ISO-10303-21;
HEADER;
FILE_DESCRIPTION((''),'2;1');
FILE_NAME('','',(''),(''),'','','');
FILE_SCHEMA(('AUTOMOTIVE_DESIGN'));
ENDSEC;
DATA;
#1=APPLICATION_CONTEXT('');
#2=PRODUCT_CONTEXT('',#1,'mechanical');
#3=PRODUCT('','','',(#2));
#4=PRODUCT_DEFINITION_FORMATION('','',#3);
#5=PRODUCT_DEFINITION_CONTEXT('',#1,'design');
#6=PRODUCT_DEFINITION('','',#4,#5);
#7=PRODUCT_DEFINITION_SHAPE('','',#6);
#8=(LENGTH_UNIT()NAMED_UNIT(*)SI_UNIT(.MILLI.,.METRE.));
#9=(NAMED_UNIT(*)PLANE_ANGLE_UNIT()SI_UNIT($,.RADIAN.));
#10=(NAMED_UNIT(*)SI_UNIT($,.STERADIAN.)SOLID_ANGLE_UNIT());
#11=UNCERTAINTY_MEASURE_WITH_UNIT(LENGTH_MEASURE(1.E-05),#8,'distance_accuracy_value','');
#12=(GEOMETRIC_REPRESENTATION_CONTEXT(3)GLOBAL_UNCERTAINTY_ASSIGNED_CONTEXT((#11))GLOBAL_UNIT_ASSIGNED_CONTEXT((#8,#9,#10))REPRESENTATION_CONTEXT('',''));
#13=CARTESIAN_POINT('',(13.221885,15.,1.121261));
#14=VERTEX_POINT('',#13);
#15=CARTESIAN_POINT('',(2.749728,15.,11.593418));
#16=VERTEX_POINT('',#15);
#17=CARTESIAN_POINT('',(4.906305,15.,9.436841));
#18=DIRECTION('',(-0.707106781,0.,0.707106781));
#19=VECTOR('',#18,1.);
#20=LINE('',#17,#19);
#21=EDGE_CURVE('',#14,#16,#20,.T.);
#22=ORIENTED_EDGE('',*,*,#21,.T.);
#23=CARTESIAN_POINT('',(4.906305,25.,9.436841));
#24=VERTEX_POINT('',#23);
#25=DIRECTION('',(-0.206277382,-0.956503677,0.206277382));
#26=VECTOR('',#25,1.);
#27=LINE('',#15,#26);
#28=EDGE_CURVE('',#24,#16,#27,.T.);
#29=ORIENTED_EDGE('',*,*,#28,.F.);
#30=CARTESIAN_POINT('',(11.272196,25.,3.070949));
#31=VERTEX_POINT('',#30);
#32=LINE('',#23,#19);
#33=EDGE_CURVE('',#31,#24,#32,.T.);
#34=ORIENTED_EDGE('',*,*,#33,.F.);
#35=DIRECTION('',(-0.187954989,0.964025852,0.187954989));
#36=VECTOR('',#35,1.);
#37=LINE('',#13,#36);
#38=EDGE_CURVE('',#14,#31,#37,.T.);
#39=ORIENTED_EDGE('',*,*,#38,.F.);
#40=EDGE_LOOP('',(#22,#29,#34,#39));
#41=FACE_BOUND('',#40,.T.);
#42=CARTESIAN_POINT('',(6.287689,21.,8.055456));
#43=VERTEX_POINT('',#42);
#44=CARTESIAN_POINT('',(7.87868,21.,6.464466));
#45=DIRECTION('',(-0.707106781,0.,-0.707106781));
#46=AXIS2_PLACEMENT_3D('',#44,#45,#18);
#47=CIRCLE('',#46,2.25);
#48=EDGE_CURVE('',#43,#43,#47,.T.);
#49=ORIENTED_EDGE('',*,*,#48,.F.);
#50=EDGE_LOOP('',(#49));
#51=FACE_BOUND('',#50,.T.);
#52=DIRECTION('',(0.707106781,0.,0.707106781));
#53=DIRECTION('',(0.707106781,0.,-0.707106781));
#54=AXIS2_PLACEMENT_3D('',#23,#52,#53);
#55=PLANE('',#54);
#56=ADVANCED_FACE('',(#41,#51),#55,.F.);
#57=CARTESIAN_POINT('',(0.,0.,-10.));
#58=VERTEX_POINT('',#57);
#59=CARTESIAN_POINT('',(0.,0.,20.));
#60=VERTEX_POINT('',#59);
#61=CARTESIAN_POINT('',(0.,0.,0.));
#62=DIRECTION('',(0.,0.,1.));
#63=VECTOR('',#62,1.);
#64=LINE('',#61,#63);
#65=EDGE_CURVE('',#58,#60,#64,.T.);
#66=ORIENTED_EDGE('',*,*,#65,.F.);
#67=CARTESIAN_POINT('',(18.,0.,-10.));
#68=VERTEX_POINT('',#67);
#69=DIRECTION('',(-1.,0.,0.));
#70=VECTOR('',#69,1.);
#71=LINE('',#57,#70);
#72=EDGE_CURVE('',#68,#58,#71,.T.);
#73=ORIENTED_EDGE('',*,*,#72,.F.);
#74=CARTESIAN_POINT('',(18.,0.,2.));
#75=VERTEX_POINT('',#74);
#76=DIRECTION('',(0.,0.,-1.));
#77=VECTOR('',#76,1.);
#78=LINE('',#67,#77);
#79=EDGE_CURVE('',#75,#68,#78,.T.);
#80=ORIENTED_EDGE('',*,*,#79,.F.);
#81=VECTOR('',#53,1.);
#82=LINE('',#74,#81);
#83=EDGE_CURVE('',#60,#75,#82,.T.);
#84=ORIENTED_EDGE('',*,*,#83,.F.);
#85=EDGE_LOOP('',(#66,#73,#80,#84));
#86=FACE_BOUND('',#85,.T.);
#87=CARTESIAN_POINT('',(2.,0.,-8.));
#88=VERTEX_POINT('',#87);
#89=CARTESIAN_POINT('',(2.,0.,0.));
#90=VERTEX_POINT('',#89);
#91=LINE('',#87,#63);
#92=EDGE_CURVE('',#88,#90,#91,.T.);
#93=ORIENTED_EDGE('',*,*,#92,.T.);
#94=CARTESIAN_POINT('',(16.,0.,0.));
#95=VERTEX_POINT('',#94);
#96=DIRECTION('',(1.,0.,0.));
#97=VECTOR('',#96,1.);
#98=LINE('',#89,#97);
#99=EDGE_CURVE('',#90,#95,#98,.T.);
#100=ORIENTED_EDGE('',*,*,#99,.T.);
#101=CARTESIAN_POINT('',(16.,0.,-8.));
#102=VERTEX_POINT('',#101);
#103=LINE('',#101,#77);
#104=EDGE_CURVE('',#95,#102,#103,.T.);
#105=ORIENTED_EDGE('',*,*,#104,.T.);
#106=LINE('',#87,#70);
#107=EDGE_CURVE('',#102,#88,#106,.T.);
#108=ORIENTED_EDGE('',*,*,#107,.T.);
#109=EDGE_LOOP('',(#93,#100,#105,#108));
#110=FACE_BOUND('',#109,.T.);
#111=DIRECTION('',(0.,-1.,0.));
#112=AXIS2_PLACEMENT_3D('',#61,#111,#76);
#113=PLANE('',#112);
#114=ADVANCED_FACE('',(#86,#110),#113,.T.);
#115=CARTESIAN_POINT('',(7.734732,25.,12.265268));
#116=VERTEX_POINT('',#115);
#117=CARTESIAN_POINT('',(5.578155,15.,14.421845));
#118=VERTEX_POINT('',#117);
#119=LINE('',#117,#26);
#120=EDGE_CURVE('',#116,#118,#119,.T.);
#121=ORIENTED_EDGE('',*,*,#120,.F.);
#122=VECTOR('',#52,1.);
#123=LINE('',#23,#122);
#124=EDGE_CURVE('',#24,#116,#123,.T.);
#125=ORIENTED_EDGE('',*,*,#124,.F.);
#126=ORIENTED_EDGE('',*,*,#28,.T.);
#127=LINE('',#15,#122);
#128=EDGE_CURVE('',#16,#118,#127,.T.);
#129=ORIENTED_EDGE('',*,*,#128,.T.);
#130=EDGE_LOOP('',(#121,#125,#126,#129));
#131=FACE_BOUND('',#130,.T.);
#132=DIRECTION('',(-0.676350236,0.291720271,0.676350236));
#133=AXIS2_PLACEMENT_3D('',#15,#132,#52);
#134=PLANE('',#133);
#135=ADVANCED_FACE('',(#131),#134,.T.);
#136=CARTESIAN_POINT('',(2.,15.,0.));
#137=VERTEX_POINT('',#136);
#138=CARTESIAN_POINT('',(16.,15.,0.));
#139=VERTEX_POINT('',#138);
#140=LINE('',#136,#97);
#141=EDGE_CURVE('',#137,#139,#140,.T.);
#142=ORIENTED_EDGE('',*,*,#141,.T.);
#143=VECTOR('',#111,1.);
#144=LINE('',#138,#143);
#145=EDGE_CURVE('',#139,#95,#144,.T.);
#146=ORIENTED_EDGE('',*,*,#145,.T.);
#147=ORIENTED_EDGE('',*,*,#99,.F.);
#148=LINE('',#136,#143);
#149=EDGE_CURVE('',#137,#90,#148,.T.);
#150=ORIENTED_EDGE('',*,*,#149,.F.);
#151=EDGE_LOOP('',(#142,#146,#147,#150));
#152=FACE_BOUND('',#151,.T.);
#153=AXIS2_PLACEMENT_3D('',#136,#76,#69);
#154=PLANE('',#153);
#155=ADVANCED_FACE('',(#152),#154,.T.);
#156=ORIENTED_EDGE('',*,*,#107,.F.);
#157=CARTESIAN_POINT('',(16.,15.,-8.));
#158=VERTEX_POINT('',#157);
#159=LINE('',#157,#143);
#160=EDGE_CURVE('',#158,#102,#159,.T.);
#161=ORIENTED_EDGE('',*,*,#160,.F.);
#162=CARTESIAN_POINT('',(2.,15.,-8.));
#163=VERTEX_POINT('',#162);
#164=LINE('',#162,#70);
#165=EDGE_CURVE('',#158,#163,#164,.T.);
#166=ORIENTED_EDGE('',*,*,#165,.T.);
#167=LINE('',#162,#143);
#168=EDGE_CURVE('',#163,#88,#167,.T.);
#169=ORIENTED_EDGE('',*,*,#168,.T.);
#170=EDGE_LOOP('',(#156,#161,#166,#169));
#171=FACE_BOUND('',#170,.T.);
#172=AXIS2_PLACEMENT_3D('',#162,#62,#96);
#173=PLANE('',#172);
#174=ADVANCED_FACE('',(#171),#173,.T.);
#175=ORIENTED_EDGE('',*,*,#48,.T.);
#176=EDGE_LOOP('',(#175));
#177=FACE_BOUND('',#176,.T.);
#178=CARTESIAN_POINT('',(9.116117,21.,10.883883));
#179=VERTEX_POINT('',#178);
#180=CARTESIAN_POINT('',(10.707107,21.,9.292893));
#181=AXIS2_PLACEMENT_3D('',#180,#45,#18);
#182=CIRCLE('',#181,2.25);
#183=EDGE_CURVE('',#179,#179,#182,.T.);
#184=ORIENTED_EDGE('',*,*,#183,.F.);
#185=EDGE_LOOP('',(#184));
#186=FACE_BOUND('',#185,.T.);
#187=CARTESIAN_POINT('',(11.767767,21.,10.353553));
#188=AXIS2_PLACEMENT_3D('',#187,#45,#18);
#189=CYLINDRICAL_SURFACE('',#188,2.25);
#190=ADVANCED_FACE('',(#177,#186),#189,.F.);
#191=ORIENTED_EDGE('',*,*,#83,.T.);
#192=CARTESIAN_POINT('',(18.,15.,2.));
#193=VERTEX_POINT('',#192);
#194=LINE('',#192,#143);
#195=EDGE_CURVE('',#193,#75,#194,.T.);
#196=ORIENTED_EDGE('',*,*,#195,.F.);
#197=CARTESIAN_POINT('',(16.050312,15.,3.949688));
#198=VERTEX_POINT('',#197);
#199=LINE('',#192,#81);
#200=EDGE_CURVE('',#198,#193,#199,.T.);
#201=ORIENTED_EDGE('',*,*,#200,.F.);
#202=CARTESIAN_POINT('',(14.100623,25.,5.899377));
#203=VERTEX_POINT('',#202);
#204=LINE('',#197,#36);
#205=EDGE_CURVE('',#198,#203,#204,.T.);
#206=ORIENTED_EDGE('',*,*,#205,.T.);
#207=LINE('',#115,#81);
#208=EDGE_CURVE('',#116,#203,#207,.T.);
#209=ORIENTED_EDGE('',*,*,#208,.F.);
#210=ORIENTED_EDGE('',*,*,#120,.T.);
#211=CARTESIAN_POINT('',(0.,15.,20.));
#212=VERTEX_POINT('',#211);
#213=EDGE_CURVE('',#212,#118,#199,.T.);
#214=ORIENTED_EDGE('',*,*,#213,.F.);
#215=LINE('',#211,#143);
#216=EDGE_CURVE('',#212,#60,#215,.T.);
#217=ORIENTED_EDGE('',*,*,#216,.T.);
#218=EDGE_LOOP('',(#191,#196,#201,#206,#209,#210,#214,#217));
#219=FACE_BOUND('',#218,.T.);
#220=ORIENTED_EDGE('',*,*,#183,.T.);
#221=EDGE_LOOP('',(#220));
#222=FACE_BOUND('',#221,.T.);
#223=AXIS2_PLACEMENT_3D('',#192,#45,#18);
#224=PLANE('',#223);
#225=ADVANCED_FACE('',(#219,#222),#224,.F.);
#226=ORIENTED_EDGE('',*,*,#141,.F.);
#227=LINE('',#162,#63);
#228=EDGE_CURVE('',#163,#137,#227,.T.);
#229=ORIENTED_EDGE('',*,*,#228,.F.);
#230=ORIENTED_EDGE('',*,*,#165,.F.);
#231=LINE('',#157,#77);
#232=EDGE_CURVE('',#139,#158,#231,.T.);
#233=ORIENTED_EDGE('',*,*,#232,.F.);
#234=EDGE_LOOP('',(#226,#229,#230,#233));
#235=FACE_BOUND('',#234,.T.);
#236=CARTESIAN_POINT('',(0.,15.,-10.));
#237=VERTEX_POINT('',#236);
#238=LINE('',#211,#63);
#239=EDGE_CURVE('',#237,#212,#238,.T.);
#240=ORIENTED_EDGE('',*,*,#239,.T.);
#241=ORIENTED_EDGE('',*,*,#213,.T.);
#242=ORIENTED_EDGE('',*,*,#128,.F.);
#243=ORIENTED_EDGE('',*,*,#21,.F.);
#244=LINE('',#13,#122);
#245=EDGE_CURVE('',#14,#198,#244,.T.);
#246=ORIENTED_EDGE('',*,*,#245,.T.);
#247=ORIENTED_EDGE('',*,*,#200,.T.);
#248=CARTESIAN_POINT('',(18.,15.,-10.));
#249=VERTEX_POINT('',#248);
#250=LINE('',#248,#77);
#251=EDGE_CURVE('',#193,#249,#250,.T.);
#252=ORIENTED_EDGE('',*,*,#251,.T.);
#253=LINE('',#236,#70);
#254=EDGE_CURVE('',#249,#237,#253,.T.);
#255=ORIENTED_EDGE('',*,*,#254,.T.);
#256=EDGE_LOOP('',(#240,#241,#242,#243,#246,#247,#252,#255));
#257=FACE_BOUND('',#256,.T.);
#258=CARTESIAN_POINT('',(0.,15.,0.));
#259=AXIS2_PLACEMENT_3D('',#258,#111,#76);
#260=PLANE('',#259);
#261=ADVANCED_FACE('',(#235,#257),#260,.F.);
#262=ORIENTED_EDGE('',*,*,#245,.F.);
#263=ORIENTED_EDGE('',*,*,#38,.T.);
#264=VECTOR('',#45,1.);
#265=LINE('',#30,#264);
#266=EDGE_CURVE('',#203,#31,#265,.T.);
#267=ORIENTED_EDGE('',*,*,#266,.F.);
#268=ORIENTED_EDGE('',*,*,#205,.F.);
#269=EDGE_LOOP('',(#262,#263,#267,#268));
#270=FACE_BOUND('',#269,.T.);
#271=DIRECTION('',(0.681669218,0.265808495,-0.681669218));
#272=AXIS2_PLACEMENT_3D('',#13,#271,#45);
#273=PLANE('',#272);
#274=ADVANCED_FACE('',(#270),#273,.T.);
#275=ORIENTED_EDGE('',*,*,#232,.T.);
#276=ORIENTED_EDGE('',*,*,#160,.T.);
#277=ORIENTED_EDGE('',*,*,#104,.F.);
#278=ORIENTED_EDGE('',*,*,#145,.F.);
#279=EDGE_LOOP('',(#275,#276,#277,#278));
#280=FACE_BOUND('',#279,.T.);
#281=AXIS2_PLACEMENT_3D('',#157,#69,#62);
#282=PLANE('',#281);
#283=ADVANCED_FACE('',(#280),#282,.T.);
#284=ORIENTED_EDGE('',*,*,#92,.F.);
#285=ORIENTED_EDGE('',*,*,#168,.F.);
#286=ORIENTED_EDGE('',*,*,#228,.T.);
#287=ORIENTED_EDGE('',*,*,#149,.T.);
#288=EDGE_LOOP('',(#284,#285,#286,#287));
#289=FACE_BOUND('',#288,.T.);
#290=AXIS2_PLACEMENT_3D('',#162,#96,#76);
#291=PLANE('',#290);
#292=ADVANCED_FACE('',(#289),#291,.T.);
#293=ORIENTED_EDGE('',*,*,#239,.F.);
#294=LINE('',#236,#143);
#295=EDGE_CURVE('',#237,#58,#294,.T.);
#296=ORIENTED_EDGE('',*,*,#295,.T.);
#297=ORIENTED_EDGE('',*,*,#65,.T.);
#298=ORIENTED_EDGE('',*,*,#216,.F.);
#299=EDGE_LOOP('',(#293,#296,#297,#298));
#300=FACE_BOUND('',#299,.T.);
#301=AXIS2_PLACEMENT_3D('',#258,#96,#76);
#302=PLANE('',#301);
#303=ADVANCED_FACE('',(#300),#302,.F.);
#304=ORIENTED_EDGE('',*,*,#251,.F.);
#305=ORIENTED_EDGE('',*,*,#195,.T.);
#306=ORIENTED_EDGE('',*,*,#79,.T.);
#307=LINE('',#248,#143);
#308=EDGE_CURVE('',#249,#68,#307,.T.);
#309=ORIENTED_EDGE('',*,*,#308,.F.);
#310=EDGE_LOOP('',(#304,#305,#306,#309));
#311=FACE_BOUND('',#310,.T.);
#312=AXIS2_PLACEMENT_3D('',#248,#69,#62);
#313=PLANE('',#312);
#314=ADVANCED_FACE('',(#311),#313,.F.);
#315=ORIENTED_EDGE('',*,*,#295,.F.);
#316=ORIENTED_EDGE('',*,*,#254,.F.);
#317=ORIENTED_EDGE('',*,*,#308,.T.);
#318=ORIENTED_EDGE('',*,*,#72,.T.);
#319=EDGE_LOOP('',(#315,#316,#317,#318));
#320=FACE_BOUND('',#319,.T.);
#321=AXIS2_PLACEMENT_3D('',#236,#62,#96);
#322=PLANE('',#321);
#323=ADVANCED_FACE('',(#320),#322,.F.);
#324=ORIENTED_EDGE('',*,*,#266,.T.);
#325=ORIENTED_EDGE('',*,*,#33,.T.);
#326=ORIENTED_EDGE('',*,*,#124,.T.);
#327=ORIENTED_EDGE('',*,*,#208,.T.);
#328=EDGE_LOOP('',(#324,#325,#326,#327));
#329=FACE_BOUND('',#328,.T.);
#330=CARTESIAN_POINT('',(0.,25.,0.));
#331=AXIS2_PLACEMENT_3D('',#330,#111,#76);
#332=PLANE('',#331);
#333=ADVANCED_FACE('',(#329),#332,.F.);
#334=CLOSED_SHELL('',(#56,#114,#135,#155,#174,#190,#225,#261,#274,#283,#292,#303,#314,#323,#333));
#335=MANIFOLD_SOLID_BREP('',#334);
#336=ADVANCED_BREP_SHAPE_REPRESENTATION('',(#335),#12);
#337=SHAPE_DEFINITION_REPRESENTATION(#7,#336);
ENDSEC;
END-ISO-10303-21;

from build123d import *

# Parameters (mm, degrees)
SKETCH_1_W          = 14
SKETCH_1_H          = 8
EXTRUDE_1_DEPTH     = 15
EXTRUDE_2_DEPTH     = 10
SKETCH_4_R          = 2.25
CUT_EXTRUDE_1_DEPTH = 5.5
EXTRUDE_3_DEPTH     = 4


with BuildPart() as part:
    # 草图1 → 凸台-拉伸1 (new body)
    with BuildSketch(Plane(origin=(0, 0, 0), x_dir=(1, 0, 0), z_dir=(0, 1, 0))):
        Polygon((0, 0), (0, 10), (18, 10), (18, -2), (0, -20), align=None)
        with Locations((9, 4)):
            Rectangle(SKETCH_1_W, SKETCH_1_H, mode=Mode.SUBTRACT)
    extrude(amount=EXTRUDE_1_DEPTH)

    # 草图2 → 凸台-拉伸2 (add)
    with BuildSketch(Plane(origin=(0, 15, 0), x_dir=(1, 0, 0), z_dir=(0, 1, 0))):
        Polygon((11.272196348, -3.070949403), (14.100623473, -5.899376527), (7.734731659, -12.265268341), (4.906304534, -9.436841216), align=None)
    extrude(amount=EXTRUDE_2_DEPTH)

    # 草图4 → 切除-拉伸1 (cut)
    with BuildSketch(Plane(origin=(7.171572875, 0, 7.171572875), x_dir=(-0.707106781, 0, 0.707106781), z_dir=(-0.707106781, 0, -0.707106781))):
        with Locations((-1, 21)):
            Circle(SKETCH_4_R)
    extrude(amount=-CUT_EXTRUDE_1_DEPTH, mode=Mode.SUBTRACT)

    # 草图5 → 凸台-拉伸3 (add)
    with BuildSketch(Plane(origin=(10, 0, 10), x_dir=(0.707106781, 0, -0.707106781), z_dir=(0.707106781, 0, 0.707106781))):
        Polygon((5.799157329, 25), (5.799157329, 15), (8.556432914, 15), align=None)
        Polygon((-3.20357321, 25), (-3.20357321, 15), (-6.25343363, 15), align=None)
    extrude(amount=-EXTRUDE_3_DEPTH)


solid = part.part
